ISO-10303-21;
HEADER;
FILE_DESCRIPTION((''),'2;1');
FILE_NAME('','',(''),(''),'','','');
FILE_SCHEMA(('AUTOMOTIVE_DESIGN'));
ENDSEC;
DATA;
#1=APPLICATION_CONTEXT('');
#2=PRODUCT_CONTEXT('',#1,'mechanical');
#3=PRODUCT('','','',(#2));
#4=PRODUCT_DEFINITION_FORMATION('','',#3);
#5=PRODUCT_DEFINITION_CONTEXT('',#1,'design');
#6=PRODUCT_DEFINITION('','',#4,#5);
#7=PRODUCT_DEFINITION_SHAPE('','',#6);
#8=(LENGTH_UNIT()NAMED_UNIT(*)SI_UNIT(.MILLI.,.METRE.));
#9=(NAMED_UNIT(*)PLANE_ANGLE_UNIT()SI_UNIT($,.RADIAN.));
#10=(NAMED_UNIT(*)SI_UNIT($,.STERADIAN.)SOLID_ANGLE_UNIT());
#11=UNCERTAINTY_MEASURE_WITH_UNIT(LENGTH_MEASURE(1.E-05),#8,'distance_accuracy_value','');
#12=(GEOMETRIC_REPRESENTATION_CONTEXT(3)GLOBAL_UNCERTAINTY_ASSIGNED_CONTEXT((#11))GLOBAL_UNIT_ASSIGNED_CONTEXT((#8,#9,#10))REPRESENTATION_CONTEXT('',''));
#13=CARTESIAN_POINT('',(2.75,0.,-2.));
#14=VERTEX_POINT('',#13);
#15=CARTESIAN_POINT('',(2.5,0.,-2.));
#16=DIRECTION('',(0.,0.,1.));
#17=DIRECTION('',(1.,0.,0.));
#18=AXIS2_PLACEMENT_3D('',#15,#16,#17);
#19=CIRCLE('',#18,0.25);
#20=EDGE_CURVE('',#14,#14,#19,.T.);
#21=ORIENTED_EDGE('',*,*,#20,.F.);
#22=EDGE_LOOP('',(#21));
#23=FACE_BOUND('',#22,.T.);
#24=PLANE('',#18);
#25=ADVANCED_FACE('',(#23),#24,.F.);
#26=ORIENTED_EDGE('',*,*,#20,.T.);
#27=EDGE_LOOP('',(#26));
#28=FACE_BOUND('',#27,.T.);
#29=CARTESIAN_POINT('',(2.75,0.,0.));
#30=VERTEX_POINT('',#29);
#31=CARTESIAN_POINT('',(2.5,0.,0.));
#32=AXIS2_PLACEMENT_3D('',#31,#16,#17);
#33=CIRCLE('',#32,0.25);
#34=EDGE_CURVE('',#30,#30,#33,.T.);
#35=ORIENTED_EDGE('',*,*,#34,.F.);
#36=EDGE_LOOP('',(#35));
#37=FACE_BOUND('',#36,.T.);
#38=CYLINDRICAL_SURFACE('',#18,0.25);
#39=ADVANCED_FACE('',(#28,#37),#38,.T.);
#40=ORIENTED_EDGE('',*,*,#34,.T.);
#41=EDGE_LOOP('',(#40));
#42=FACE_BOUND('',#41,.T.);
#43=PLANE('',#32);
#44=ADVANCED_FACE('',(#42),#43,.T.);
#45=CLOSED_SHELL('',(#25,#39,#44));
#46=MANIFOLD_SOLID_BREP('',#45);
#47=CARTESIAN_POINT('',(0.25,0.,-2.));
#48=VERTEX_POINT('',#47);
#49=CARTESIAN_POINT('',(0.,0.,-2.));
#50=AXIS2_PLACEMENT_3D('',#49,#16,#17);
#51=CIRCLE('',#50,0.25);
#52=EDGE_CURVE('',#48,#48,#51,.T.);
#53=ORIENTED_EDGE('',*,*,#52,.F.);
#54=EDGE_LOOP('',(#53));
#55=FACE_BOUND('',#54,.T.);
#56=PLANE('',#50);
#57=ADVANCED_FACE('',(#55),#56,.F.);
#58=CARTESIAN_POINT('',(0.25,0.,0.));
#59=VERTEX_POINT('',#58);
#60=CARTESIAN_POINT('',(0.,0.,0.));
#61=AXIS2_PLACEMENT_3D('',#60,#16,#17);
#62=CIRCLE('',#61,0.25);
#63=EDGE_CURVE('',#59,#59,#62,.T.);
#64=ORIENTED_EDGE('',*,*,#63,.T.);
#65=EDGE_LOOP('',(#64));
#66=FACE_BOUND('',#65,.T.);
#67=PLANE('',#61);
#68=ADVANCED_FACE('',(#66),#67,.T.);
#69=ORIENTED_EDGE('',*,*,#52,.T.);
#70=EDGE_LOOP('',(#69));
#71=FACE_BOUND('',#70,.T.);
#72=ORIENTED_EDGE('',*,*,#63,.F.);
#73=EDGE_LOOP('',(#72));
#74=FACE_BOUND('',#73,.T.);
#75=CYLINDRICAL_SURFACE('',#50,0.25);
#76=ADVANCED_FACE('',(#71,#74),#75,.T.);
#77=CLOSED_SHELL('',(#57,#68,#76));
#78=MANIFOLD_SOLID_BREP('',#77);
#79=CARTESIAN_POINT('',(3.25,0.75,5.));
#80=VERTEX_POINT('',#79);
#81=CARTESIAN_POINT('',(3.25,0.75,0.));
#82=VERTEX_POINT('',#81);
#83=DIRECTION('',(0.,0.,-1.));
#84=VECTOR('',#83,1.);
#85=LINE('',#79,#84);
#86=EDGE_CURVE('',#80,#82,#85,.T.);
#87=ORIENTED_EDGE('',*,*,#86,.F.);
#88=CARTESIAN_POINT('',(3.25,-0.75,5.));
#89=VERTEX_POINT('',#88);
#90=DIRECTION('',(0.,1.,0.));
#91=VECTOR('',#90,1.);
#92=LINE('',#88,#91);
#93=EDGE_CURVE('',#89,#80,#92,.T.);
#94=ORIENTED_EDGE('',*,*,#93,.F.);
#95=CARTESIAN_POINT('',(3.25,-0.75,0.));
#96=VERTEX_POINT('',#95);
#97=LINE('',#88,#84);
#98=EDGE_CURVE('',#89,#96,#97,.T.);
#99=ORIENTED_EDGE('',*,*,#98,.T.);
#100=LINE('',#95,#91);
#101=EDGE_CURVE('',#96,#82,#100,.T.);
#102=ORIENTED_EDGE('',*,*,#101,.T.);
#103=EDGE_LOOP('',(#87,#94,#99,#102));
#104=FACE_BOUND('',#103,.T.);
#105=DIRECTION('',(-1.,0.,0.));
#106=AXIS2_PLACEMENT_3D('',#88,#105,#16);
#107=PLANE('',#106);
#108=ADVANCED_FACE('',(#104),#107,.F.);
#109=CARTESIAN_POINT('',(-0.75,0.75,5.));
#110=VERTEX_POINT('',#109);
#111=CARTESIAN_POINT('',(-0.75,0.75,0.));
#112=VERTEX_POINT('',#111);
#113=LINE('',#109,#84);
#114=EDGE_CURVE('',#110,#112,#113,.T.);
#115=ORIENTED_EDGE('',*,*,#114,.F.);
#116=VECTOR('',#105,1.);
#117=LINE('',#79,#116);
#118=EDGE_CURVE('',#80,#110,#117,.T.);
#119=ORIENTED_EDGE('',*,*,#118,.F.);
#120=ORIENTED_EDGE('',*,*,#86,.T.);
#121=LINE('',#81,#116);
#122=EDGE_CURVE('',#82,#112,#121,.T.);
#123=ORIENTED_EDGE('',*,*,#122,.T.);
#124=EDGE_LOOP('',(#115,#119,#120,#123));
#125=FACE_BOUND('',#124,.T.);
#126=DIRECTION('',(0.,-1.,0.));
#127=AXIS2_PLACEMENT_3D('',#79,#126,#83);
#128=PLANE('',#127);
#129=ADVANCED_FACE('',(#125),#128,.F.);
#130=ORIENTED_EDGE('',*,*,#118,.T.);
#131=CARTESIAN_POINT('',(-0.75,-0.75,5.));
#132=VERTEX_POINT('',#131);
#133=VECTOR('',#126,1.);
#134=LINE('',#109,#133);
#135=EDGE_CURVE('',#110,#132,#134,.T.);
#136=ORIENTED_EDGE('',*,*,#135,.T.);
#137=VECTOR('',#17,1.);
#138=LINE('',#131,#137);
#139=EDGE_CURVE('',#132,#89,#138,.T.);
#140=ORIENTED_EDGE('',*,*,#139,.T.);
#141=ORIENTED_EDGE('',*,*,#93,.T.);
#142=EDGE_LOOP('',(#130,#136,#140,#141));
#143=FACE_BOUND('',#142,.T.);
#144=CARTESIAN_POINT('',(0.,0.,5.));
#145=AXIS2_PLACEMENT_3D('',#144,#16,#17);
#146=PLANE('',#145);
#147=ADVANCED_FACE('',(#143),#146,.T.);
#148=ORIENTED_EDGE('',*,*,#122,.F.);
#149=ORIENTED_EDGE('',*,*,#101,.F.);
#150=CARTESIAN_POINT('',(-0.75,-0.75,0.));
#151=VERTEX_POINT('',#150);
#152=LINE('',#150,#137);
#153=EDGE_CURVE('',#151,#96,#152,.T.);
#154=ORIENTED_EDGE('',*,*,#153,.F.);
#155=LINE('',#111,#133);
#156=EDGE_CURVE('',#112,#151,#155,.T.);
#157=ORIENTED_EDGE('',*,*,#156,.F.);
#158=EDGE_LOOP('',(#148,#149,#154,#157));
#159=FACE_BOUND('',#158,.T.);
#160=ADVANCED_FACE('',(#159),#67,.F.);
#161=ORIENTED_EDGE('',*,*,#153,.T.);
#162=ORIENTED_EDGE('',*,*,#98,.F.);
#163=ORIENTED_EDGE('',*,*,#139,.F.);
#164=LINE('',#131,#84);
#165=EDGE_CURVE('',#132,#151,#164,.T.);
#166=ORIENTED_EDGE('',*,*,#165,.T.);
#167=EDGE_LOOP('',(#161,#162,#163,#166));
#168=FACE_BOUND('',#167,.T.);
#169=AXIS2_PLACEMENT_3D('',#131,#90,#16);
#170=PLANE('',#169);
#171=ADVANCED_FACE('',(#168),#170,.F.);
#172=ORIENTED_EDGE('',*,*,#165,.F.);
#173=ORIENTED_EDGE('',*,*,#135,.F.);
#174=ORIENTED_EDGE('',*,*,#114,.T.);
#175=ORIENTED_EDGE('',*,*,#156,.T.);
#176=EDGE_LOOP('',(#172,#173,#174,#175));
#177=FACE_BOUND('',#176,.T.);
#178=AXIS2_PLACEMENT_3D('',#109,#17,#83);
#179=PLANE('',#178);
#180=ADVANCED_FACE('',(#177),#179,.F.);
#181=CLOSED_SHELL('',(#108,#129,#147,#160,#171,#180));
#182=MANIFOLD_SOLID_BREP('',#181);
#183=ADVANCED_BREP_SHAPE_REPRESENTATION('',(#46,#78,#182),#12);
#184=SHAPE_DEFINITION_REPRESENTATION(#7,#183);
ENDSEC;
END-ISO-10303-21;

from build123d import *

# Parameters (mm, degrees)
SKETCH1_W               = 4
SKETCH1_H               = 1.5
COMPONENT_OUTLINE_DEPTH = 5
SKETCH2_R               = 0.25
EXTRUDE_1_DEPTH         = 2
SKETCH3_R               = 0.25
EXTRUDE_2_DEPTH         = 2


with BuildPart() as part:
    # Sketch1 → Component_Outline (new body)
    with BuildSketch(Plane.XY):
        with Locations((1.25, 0)):
            Rectangle(SKETCH1_W, SKETCH1_H)
    extrude(amount=COMPONENT_OUTLINE_DEPTH)


with BuildPart() as body_2:
    # Sketch2 → Extrude 1 (new body)
    with BuildSketch(Plane.XY):
        Circle(SKETCH2_R)
    extrude(amount=-EXTRUDE_1_DEPTH)


with BuildPart() as body_3:
    # Sketch3 → Extrude 2 (new body)
    with BuildSketch(Plane.XY):
        with Locations((2.5, 0)):
            Circle(SKETCH3_R)
    extrude(amount=-EXTRUDE_2_DEPTH)


solid = Compound([part.part, body_2.part, body_3.part])
